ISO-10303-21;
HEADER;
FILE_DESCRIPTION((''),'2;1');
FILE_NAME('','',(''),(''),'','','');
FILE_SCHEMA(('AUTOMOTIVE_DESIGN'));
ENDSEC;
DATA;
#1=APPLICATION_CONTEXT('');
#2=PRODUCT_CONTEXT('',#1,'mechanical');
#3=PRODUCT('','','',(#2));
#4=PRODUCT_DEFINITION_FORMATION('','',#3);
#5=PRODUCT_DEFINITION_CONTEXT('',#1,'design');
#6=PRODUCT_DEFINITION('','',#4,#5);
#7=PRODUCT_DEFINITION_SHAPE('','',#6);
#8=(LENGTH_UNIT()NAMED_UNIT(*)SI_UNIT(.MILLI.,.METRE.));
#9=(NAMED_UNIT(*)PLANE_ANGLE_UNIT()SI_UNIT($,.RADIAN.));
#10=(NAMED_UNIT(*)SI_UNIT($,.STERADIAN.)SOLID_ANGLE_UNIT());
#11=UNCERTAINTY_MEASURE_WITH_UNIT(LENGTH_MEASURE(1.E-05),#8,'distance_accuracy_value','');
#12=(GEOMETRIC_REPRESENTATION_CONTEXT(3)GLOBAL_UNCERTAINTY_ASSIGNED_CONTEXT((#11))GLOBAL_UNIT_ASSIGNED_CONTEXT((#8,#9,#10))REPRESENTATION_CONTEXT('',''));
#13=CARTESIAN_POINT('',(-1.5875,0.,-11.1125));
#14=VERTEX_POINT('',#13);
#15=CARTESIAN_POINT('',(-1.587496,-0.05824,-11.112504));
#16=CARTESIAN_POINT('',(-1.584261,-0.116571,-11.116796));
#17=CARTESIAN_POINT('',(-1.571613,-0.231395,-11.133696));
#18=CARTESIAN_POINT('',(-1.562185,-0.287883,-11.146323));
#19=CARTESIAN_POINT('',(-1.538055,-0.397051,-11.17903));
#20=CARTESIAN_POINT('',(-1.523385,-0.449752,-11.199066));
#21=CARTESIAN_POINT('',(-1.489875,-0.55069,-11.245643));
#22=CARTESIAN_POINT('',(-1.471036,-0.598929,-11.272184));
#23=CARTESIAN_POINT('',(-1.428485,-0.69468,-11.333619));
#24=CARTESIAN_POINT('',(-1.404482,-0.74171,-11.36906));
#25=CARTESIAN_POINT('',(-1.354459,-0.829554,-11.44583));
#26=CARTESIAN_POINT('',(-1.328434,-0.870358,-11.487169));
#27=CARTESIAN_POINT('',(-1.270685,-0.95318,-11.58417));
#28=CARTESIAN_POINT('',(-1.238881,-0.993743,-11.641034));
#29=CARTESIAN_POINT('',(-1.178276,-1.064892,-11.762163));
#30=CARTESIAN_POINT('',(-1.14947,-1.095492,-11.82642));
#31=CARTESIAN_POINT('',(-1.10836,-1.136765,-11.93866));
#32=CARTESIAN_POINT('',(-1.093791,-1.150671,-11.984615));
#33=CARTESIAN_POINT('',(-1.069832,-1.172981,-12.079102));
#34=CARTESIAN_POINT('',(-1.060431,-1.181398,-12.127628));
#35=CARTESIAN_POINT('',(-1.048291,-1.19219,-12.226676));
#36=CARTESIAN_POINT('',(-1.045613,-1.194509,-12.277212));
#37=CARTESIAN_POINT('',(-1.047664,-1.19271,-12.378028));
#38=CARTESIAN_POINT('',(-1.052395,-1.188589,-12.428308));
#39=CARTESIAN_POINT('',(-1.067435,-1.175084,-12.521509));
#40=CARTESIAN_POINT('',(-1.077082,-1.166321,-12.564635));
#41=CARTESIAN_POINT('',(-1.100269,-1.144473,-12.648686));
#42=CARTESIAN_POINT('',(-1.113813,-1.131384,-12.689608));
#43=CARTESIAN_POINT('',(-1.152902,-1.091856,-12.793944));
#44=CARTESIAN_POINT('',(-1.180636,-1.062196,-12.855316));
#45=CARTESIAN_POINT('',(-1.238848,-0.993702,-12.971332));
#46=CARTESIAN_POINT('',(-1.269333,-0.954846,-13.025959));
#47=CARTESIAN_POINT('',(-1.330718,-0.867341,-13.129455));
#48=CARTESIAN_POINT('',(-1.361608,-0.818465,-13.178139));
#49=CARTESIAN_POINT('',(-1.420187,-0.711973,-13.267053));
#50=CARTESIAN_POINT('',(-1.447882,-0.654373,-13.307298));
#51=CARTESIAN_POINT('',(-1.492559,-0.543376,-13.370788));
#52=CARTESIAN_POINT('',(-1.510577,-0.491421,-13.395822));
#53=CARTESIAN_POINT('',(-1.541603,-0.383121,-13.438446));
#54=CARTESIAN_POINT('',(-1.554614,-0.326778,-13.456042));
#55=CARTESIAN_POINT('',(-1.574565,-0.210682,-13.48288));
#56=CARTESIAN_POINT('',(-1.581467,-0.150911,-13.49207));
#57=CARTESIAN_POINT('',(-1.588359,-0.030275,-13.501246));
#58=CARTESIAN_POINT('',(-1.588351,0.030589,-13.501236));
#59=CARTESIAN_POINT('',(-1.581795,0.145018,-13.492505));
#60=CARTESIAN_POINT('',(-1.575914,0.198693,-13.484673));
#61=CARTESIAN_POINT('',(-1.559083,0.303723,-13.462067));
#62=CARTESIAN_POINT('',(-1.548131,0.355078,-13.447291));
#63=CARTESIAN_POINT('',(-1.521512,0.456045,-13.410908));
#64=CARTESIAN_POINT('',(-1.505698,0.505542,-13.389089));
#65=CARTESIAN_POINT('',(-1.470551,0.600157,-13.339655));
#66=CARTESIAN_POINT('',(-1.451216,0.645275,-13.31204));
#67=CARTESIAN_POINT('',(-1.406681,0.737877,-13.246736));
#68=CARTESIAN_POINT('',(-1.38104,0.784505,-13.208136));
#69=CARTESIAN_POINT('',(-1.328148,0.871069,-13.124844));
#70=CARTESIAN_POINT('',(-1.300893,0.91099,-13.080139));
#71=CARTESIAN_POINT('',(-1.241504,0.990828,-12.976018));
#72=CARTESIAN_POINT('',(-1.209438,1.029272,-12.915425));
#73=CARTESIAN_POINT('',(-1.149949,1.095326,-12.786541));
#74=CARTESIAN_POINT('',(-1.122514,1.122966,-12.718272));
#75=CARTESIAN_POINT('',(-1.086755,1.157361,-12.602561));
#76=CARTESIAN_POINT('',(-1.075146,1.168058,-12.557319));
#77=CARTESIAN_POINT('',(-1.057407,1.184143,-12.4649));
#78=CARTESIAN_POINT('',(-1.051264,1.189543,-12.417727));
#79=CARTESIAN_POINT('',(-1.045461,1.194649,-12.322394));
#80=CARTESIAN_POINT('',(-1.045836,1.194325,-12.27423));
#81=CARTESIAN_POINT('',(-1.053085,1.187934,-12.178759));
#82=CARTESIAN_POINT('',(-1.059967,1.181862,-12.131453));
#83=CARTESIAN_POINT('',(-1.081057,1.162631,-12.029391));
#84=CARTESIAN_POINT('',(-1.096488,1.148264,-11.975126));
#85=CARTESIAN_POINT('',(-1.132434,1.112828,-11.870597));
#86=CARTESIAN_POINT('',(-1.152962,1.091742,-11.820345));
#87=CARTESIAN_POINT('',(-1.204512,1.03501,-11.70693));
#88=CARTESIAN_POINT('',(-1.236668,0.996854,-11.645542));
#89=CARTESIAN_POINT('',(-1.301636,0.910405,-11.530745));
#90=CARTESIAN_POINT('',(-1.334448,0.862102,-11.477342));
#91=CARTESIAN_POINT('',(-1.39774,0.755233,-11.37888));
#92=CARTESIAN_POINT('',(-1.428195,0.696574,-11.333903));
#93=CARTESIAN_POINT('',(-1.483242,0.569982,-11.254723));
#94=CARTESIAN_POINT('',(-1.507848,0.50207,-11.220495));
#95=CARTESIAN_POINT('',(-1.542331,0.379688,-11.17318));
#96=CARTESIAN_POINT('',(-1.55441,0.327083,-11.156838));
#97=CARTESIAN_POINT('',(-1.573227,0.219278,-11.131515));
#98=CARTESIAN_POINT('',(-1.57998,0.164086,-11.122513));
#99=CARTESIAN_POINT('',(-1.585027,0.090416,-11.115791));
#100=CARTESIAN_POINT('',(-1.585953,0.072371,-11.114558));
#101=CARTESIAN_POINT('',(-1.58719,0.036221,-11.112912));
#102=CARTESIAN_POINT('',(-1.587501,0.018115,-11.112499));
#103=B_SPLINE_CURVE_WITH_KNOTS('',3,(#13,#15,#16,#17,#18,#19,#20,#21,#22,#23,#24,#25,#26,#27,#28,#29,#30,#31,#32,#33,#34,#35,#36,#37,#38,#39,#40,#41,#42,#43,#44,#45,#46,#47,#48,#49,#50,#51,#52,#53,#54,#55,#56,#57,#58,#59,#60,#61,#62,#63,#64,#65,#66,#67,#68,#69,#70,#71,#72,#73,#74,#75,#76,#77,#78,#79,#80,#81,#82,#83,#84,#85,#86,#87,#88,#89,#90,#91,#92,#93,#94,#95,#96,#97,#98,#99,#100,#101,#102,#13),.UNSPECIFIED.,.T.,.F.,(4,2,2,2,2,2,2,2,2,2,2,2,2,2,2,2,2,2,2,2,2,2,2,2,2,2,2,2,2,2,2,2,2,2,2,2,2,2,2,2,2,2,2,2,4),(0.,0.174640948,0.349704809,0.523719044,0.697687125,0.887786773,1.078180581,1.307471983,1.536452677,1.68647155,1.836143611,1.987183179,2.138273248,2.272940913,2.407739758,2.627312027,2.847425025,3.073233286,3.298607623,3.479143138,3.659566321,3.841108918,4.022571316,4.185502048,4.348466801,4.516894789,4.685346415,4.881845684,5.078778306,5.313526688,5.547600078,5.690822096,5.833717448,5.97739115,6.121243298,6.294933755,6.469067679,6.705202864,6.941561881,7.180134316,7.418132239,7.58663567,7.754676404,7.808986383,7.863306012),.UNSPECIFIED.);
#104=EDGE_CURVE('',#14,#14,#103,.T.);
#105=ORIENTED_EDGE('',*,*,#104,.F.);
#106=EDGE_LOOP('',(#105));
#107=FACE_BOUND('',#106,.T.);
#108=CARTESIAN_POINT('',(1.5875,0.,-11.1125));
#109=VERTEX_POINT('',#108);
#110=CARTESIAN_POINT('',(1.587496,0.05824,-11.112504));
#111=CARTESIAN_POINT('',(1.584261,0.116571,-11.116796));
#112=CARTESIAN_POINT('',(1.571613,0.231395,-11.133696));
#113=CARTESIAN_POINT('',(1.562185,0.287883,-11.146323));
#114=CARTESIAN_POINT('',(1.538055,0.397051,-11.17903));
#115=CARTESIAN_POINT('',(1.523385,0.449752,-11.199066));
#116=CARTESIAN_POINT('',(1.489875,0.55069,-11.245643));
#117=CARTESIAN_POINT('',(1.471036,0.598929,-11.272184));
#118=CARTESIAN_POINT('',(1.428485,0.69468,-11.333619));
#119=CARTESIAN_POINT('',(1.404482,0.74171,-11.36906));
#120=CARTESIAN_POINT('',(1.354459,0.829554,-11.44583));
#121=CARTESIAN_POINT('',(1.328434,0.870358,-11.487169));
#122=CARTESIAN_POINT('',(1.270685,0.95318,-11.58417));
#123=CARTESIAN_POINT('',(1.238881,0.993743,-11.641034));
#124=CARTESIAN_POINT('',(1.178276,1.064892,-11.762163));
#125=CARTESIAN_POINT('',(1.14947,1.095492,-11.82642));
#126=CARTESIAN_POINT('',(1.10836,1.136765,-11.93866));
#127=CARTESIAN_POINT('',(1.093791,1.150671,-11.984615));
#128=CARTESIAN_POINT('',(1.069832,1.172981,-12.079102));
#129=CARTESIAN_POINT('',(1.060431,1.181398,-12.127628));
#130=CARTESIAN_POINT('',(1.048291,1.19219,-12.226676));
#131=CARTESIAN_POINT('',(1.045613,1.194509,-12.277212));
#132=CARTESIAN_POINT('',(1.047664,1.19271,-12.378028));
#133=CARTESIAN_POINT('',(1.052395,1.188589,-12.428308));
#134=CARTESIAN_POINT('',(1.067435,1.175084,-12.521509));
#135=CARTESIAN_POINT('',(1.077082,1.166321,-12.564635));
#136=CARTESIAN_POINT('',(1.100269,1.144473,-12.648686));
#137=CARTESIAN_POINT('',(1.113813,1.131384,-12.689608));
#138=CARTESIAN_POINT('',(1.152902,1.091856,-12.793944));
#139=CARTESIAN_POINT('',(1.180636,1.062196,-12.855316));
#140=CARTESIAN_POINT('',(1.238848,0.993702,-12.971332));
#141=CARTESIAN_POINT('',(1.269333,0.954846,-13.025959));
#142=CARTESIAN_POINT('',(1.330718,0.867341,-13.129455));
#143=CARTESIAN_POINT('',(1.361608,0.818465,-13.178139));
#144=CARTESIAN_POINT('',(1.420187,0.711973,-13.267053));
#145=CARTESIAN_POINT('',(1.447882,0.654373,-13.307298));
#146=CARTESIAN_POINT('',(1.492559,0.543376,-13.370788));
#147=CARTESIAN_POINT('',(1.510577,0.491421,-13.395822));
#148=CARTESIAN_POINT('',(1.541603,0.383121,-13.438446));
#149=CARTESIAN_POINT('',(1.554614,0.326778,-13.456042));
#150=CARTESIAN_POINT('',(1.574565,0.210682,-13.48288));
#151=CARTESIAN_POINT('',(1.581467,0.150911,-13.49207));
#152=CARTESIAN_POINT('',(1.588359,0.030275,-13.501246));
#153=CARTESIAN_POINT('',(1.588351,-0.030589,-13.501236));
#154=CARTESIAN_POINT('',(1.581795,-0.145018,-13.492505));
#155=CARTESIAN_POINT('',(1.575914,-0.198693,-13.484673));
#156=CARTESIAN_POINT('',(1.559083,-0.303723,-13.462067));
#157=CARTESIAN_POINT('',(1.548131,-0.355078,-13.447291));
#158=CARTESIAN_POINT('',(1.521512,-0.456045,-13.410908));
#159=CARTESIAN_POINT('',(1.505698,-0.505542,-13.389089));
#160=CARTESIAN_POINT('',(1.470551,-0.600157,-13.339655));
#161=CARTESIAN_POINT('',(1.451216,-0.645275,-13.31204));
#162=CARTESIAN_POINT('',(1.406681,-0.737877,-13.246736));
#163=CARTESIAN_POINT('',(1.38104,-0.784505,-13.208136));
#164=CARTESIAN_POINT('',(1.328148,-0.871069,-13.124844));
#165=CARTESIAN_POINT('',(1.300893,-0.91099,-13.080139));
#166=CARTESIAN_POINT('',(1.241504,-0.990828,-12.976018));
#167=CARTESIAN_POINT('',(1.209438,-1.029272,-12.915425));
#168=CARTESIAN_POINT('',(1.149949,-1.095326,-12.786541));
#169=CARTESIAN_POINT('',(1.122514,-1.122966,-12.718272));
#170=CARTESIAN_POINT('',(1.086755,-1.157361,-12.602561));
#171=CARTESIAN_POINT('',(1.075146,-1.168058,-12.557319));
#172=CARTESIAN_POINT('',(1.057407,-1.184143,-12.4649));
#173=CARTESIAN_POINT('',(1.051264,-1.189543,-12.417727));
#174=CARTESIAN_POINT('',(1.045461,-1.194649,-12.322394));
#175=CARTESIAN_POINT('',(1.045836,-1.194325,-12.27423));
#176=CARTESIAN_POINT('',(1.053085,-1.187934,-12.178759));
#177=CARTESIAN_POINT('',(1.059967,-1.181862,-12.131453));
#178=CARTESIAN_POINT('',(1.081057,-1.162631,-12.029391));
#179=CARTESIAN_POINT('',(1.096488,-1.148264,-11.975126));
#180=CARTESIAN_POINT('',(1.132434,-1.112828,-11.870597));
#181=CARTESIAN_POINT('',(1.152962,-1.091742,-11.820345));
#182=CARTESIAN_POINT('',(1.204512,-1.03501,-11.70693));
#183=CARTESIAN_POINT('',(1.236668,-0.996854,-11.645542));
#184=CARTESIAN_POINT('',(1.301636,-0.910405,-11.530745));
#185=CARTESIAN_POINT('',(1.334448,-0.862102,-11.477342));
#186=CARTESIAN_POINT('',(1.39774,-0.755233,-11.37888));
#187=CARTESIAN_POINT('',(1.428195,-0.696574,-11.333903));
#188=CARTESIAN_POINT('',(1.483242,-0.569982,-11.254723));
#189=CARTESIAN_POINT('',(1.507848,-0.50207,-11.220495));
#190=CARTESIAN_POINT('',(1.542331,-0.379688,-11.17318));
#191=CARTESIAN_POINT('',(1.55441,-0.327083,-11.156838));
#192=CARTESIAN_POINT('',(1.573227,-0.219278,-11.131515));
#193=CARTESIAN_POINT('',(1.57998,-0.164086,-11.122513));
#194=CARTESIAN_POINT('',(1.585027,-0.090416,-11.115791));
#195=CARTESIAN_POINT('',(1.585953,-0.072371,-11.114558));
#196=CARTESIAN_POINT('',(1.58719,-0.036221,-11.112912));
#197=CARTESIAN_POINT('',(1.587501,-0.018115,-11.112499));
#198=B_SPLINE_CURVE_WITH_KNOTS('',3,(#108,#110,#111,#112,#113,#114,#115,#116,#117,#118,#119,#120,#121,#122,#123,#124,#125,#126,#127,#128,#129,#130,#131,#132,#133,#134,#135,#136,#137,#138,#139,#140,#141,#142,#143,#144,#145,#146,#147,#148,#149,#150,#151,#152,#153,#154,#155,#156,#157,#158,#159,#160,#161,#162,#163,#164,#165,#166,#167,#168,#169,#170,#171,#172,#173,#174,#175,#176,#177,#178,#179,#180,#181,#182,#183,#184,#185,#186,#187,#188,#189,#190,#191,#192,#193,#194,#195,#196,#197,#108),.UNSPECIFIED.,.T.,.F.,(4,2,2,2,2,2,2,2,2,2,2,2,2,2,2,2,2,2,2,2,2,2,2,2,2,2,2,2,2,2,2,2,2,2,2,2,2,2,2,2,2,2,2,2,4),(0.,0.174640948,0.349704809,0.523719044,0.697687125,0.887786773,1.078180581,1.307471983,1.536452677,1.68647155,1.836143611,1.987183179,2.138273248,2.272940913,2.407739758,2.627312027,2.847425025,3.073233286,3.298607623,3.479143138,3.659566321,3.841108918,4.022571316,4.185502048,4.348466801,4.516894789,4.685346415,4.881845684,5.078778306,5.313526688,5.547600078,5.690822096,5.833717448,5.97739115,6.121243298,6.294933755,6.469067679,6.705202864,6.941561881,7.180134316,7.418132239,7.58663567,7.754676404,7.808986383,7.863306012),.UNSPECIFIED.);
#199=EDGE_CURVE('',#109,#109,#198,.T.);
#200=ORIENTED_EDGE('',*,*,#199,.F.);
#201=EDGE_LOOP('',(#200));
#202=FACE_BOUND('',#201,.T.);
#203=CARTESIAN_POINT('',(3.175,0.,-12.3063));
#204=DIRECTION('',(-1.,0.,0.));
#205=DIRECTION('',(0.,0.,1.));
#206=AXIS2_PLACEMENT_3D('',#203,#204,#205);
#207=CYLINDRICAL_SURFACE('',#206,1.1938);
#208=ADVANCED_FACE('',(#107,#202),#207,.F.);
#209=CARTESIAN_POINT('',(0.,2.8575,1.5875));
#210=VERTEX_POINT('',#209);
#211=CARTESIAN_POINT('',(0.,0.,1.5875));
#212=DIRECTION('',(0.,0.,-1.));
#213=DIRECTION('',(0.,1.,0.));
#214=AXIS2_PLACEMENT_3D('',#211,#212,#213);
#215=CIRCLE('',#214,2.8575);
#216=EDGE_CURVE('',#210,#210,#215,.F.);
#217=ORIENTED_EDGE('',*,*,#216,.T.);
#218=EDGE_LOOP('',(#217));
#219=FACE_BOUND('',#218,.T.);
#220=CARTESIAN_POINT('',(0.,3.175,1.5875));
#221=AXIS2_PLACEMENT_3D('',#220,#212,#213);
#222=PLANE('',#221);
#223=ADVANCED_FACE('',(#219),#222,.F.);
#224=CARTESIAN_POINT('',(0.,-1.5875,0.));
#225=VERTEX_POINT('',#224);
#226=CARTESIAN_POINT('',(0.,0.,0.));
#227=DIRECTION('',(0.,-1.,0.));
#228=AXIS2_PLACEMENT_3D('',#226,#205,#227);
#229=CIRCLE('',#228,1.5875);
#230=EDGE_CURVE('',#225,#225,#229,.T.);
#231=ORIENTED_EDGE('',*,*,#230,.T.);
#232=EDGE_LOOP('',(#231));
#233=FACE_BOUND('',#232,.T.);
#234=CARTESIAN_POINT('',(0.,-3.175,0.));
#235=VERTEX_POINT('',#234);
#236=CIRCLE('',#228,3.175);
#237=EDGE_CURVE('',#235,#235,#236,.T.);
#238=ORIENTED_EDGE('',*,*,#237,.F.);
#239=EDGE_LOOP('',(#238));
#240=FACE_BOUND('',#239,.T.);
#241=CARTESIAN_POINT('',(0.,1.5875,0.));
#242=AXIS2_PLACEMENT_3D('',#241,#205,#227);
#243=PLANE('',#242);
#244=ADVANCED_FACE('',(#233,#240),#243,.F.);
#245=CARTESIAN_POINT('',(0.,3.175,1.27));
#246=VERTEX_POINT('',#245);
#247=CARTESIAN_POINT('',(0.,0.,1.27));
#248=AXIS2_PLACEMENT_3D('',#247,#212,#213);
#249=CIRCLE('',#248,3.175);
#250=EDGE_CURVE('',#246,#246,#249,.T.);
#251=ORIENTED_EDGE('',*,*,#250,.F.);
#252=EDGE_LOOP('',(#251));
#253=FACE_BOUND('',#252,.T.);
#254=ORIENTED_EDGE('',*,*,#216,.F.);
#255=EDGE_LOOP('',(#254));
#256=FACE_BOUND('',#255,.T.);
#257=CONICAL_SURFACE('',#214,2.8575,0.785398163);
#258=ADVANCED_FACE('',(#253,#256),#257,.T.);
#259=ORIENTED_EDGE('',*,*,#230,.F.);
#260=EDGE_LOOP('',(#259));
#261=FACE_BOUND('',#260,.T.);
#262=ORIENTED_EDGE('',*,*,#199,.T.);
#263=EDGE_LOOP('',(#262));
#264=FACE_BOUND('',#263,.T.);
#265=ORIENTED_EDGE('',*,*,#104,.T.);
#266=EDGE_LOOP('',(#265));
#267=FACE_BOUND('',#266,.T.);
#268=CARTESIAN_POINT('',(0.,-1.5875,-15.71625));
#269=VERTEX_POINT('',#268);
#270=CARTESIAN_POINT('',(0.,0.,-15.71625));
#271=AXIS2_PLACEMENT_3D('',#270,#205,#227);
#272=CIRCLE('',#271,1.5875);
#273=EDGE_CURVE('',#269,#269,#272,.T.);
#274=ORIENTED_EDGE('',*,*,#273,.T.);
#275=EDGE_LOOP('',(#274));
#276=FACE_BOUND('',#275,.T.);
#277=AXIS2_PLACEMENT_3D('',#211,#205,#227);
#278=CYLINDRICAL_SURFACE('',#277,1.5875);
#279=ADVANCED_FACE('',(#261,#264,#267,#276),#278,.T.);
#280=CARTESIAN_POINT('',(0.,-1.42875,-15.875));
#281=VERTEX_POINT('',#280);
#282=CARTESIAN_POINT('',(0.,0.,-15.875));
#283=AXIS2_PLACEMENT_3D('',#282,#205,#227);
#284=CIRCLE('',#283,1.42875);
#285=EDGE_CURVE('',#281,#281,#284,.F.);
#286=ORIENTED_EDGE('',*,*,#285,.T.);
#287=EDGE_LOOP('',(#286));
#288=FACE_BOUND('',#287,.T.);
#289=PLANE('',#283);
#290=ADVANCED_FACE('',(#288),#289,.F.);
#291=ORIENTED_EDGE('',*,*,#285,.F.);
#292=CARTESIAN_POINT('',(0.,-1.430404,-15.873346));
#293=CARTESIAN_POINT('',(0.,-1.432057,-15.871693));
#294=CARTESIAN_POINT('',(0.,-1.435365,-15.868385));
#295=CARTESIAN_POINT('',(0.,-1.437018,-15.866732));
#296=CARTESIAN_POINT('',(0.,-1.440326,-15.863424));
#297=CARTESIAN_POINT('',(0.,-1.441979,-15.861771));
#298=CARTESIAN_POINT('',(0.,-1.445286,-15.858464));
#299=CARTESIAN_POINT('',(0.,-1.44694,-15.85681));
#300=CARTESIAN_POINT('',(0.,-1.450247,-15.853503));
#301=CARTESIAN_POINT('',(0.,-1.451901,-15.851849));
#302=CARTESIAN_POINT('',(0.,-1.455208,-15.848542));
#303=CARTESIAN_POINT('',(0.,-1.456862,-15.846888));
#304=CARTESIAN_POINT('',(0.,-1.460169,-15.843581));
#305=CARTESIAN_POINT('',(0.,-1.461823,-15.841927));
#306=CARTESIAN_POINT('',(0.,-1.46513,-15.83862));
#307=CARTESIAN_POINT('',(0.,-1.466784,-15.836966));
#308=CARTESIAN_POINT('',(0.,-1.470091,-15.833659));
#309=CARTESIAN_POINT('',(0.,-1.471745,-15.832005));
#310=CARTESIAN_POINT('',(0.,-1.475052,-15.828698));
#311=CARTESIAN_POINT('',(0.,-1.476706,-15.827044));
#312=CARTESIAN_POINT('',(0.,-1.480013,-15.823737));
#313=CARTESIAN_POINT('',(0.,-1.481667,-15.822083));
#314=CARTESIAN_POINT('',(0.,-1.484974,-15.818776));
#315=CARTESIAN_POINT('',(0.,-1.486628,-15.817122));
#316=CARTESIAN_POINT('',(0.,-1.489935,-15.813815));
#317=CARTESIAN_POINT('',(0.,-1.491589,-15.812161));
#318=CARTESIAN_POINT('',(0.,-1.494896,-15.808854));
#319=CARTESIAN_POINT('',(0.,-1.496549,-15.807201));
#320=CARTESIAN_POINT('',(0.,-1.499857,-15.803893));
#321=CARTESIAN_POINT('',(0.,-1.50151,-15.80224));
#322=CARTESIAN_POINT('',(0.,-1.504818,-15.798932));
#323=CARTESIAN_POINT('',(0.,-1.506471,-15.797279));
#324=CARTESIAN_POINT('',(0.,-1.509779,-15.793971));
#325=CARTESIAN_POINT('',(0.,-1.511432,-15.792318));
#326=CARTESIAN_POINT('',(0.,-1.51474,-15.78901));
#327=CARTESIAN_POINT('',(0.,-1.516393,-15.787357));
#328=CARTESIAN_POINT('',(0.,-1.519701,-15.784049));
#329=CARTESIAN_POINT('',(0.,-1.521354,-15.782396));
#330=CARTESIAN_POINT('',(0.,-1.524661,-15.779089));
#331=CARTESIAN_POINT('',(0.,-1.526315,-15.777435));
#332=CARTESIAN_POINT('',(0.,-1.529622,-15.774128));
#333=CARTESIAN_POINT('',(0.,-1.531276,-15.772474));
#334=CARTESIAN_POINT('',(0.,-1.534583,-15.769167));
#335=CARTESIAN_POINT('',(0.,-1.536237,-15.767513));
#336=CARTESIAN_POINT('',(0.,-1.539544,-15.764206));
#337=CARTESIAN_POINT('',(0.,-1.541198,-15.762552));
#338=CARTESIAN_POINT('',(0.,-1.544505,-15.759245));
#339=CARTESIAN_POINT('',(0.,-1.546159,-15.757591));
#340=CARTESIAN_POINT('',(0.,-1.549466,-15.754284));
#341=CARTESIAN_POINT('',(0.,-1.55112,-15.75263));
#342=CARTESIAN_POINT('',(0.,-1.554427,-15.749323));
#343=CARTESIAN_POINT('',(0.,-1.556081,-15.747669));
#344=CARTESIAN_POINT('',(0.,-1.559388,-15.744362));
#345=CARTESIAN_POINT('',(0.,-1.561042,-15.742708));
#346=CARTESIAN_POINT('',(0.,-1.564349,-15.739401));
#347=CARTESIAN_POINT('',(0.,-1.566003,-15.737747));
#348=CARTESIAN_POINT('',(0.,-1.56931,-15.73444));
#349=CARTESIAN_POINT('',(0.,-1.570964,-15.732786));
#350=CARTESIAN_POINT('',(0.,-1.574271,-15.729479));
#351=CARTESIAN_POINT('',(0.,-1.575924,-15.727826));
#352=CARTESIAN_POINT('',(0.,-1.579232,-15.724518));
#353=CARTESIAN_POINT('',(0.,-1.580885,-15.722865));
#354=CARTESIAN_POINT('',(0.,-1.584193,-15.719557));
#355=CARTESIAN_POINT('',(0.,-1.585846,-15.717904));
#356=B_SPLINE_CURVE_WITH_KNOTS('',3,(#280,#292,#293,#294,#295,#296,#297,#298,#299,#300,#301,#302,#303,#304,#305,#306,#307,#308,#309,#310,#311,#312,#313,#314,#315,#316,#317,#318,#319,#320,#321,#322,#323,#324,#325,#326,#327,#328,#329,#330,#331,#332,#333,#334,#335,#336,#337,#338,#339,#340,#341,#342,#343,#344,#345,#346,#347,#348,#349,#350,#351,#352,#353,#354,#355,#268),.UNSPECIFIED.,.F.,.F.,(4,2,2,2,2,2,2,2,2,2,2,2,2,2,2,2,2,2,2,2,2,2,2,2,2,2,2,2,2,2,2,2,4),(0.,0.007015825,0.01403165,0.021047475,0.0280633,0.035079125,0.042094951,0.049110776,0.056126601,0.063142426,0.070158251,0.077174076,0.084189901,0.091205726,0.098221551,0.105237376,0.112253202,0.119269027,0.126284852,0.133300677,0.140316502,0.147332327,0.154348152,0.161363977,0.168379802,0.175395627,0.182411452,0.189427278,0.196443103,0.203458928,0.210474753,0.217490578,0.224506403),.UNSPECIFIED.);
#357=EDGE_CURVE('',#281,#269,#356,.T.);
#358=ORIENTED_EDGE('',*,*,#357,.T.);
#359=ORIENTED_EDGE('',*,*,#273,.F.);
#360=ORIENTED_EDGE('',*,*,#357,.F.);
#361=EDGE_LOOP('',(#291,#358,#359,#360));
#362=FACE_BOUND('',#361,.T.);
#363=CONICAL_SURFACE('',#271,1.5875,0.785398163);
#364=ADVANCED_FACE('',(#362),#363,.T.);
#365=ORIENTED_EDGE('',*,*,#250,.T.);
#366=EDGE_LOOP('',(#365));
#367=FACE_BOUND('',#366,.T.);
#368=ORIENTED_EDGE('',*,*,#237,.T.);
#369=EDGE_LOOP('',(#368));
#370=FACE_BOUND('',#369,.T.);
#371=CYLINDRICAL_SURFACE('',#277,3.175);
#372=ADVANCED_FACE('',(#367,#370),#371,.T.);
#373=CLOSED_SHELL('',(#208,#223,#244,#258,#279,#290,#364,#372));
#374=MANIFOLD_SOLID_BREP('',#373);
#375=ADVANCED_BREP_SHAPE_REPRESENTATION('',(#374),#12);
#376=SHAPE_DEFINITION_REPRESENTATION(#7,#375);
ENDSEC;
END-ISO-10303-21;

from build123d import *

# Parameters (mm, degrees)
CUT_EXTRUDE1_DEPTH      = 23.674035261
CUT_EXTRUDE1_DEPTH_BACK = 23.674035261
SKETCH2_R               = 1.1938
CHAMFER1_SIZE           = 0.3175
CHAMFER2_SIZE           = 0.15875


with BuildPart() as part:
    # Sketch4 → Revolve1 (revolve)
    with BuildSketch(Plane(origin=(0, 0, 0), x_dir=(0, 0, -1), z_dir=(1, 0, 0)), mode=Mode.PRIVATE) as revolve1_sk:
        Polygon((-1.5875, 0), (15.875, 0), (15.875, 1.5875), (0, 1.5875), (0, 3.175), (-1.5875, 3.175), align=None)
    revolve(revolve1_sk.sketch.rotate(Axis((0, 0, 1.5875), (0, 0, -1)), 180), axis=Axis((0, 0, 1.5875), (0, 0, -1)))

    # Sketch2 → Cut-Extrude1 (cut, two sides: drawn at the far end of the back side and taken through both)
    with BuildSketch(Plane(origin=(0, 0, 6.35), x_dir=(0, 0, 1), z_dir=(-1, 0, 0)).offset(-CUT_EXTRUDE1_DEPTH_BACK)):
        with Locations((-18.6563, 0)):
            Circle(SKETCH2_R)
    extrude(amount=CUT_EXTRUDE1_DEPTH + CUT_EXTRUDE1_DEPTH_BACK, mode=Mode.SUBTRACT)

    # Chamfer1
    chamfer1_edges = [part.edges().sort_by_distance(p)[0] for p in [
        (0, 3.175, 1.5875),
    ]]
    chamfer(chamfer1_edges, length=CHAMFER1_SIZE)

    # Chamfer2
    chamfer2_edges = [part.edges().sort_by_distance(p)[0] for p in [
        (0, 1.5875, -15.875),
    ]]
    chamfer(chamfer2_edges, length=CHAMFER2_SIZE)


solid = part.part
